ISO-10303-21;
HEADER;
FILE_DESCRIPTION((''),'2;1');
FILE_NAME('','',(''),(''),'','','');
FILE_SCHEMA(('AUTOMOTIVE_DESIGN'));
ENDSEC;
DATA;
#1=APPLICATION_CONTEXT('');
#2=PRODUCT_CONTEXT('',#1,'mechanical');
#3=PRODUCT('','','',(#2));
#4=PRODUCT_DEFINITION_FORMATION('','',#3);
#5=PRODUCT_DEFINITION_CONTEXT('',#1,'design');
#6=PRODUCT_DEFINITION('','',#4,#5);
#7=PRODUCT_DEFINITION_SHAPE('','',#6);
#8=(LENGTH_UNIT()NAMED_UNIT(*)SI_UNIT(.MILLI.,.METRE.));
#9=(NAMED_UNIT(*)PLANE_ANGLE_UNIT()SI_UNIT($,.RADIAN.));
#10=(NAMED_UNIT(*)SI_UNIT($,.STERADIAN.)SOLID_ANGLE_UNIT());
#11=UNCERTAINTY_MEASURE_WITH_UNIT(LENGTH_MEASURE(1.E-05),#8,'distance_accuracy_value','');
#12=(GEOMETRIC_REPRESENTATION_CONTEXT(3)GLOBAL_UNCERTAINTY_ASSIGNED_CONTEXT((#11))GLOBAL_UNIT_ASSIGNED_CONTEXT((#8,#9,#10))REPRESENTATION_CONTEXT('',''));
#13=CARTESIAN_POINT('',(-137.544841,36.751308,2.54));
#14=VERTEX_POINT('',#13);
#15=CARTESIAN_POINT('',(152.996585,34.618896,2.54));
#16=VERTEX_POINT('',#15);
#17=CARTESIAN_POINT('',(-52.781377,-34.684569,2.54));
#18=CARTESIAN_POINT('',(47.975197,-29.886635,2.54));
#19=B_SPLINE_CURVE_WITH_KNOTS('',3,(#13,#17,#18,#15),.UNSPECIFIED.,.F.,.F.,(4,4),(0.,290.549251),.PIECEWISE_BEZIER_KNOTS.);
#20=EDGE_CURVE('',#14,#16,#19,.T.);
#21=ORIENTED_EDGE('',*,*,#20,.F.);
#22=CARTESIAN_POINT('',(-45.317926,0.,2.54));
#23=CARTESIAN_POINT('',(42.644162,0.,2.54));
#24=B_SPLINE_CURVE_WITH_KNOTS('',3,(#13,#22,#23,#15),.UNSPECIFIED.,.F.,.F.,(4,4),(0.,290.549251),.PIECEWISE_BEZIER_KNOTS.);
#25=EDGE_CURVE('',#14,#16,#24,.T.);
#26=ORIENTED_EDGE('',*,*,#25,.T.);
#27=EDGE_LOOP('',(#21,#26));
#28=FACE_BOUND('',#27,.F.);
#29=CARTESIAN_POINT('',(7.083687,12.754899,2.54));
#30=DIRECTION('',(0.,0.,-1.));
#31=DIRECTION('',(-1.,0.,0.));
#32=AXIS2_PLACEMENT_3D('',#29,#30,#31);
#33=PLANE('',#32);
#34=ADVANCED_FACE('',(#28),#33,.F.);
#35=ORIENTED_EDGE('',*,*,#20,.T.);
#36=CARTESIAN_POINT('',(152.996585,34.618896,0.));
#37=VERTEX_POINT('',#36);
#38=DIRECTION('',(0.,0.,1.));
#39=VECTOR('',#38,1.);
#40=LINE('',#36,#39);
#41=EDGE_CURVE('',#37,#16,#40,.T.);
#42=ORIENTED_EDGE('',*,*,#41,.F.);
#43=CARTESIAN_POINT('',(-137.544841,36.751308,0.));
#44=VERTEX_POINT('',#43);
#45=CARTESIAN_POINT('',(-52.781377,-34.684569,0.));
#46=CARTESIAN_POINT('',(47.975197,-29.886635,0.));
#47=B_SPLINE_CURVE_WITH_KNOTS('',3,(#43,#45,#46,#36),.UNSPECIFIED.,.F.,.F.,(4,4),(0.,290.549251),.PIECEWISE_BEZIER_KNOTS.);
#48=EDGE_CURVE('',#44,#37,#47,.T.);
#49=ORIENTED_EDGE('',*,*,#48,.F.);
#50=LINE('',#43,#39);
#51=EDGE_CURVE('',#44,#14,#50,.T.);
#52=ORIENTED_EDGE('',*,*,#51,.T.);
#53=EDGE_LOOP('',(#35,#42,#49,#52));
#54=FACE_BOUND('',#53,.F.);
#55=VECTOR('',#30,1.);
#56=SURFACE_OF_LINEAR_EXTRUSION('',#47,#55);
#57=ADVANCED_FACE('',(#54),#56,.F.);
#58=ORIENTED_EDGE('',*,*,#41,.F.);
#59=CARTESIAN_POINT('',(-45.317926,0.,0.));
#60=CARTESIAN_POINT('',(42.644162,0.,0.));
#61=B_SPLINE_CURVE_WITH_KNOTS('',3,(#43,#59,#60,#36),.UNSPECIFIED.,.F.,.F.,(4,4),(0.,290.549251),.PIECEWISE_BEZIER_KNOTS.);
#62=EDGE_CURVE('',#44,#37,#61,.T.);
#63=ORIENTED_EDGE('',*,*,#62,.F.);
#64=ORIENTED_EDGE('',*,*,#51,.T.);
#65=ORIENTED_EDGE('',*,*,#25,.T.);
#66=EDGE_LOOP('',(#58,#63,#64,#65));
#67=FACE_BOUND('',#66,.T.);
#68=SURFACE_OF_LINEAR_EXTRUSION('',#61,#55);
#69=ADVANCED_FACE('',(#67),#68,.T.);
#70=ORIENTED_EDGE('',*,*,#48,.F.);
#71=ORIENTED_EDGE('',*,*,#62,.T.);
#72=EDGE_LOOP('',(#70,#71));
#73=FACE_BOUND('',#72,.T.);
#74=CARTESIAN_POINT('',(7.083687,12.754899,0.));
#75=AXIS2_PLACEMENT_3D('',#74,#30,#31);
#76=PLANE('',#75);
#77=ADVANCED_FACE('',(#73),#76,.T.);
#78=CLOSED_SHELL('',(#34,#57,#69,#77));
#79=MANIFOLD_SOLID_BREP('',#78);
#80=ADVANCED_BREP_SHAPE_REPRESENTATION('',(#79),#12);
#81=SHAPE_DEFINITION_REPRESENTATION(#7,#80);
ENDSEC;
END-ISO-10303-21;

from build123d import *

# Parameters (mm, degrees)
F1_DEPTH = 2.54


with BuildPart() as f1:
    # F0 (on Top) → F1 (new body)
    with BuildSketch(Plane.XY):
        with BuildLine():
            add(Edge.make_bspline(
                [(-137.544841, 36.751308), (-45.317926, 0), (42.644162, 0), (152.996585, 34.618896)],
                knots=[0, 0, 0, 0, 290.549251, 290.549251, 290.549251, 290.549251], degree=3))
            add(Edge.make_bspline(
                [(-137.544841, 36.751308), (-52.781377, -34.684569), (47.975197, -29.886635), (152.996585, 34.618896)],
                knots=[0, 0, 0, 0, 290.549251, 290.549251, 290.549251, 290.549251], degree=3))
        make_face()
    extrude(amount=F1_DEPTH)


solid = f1.part
